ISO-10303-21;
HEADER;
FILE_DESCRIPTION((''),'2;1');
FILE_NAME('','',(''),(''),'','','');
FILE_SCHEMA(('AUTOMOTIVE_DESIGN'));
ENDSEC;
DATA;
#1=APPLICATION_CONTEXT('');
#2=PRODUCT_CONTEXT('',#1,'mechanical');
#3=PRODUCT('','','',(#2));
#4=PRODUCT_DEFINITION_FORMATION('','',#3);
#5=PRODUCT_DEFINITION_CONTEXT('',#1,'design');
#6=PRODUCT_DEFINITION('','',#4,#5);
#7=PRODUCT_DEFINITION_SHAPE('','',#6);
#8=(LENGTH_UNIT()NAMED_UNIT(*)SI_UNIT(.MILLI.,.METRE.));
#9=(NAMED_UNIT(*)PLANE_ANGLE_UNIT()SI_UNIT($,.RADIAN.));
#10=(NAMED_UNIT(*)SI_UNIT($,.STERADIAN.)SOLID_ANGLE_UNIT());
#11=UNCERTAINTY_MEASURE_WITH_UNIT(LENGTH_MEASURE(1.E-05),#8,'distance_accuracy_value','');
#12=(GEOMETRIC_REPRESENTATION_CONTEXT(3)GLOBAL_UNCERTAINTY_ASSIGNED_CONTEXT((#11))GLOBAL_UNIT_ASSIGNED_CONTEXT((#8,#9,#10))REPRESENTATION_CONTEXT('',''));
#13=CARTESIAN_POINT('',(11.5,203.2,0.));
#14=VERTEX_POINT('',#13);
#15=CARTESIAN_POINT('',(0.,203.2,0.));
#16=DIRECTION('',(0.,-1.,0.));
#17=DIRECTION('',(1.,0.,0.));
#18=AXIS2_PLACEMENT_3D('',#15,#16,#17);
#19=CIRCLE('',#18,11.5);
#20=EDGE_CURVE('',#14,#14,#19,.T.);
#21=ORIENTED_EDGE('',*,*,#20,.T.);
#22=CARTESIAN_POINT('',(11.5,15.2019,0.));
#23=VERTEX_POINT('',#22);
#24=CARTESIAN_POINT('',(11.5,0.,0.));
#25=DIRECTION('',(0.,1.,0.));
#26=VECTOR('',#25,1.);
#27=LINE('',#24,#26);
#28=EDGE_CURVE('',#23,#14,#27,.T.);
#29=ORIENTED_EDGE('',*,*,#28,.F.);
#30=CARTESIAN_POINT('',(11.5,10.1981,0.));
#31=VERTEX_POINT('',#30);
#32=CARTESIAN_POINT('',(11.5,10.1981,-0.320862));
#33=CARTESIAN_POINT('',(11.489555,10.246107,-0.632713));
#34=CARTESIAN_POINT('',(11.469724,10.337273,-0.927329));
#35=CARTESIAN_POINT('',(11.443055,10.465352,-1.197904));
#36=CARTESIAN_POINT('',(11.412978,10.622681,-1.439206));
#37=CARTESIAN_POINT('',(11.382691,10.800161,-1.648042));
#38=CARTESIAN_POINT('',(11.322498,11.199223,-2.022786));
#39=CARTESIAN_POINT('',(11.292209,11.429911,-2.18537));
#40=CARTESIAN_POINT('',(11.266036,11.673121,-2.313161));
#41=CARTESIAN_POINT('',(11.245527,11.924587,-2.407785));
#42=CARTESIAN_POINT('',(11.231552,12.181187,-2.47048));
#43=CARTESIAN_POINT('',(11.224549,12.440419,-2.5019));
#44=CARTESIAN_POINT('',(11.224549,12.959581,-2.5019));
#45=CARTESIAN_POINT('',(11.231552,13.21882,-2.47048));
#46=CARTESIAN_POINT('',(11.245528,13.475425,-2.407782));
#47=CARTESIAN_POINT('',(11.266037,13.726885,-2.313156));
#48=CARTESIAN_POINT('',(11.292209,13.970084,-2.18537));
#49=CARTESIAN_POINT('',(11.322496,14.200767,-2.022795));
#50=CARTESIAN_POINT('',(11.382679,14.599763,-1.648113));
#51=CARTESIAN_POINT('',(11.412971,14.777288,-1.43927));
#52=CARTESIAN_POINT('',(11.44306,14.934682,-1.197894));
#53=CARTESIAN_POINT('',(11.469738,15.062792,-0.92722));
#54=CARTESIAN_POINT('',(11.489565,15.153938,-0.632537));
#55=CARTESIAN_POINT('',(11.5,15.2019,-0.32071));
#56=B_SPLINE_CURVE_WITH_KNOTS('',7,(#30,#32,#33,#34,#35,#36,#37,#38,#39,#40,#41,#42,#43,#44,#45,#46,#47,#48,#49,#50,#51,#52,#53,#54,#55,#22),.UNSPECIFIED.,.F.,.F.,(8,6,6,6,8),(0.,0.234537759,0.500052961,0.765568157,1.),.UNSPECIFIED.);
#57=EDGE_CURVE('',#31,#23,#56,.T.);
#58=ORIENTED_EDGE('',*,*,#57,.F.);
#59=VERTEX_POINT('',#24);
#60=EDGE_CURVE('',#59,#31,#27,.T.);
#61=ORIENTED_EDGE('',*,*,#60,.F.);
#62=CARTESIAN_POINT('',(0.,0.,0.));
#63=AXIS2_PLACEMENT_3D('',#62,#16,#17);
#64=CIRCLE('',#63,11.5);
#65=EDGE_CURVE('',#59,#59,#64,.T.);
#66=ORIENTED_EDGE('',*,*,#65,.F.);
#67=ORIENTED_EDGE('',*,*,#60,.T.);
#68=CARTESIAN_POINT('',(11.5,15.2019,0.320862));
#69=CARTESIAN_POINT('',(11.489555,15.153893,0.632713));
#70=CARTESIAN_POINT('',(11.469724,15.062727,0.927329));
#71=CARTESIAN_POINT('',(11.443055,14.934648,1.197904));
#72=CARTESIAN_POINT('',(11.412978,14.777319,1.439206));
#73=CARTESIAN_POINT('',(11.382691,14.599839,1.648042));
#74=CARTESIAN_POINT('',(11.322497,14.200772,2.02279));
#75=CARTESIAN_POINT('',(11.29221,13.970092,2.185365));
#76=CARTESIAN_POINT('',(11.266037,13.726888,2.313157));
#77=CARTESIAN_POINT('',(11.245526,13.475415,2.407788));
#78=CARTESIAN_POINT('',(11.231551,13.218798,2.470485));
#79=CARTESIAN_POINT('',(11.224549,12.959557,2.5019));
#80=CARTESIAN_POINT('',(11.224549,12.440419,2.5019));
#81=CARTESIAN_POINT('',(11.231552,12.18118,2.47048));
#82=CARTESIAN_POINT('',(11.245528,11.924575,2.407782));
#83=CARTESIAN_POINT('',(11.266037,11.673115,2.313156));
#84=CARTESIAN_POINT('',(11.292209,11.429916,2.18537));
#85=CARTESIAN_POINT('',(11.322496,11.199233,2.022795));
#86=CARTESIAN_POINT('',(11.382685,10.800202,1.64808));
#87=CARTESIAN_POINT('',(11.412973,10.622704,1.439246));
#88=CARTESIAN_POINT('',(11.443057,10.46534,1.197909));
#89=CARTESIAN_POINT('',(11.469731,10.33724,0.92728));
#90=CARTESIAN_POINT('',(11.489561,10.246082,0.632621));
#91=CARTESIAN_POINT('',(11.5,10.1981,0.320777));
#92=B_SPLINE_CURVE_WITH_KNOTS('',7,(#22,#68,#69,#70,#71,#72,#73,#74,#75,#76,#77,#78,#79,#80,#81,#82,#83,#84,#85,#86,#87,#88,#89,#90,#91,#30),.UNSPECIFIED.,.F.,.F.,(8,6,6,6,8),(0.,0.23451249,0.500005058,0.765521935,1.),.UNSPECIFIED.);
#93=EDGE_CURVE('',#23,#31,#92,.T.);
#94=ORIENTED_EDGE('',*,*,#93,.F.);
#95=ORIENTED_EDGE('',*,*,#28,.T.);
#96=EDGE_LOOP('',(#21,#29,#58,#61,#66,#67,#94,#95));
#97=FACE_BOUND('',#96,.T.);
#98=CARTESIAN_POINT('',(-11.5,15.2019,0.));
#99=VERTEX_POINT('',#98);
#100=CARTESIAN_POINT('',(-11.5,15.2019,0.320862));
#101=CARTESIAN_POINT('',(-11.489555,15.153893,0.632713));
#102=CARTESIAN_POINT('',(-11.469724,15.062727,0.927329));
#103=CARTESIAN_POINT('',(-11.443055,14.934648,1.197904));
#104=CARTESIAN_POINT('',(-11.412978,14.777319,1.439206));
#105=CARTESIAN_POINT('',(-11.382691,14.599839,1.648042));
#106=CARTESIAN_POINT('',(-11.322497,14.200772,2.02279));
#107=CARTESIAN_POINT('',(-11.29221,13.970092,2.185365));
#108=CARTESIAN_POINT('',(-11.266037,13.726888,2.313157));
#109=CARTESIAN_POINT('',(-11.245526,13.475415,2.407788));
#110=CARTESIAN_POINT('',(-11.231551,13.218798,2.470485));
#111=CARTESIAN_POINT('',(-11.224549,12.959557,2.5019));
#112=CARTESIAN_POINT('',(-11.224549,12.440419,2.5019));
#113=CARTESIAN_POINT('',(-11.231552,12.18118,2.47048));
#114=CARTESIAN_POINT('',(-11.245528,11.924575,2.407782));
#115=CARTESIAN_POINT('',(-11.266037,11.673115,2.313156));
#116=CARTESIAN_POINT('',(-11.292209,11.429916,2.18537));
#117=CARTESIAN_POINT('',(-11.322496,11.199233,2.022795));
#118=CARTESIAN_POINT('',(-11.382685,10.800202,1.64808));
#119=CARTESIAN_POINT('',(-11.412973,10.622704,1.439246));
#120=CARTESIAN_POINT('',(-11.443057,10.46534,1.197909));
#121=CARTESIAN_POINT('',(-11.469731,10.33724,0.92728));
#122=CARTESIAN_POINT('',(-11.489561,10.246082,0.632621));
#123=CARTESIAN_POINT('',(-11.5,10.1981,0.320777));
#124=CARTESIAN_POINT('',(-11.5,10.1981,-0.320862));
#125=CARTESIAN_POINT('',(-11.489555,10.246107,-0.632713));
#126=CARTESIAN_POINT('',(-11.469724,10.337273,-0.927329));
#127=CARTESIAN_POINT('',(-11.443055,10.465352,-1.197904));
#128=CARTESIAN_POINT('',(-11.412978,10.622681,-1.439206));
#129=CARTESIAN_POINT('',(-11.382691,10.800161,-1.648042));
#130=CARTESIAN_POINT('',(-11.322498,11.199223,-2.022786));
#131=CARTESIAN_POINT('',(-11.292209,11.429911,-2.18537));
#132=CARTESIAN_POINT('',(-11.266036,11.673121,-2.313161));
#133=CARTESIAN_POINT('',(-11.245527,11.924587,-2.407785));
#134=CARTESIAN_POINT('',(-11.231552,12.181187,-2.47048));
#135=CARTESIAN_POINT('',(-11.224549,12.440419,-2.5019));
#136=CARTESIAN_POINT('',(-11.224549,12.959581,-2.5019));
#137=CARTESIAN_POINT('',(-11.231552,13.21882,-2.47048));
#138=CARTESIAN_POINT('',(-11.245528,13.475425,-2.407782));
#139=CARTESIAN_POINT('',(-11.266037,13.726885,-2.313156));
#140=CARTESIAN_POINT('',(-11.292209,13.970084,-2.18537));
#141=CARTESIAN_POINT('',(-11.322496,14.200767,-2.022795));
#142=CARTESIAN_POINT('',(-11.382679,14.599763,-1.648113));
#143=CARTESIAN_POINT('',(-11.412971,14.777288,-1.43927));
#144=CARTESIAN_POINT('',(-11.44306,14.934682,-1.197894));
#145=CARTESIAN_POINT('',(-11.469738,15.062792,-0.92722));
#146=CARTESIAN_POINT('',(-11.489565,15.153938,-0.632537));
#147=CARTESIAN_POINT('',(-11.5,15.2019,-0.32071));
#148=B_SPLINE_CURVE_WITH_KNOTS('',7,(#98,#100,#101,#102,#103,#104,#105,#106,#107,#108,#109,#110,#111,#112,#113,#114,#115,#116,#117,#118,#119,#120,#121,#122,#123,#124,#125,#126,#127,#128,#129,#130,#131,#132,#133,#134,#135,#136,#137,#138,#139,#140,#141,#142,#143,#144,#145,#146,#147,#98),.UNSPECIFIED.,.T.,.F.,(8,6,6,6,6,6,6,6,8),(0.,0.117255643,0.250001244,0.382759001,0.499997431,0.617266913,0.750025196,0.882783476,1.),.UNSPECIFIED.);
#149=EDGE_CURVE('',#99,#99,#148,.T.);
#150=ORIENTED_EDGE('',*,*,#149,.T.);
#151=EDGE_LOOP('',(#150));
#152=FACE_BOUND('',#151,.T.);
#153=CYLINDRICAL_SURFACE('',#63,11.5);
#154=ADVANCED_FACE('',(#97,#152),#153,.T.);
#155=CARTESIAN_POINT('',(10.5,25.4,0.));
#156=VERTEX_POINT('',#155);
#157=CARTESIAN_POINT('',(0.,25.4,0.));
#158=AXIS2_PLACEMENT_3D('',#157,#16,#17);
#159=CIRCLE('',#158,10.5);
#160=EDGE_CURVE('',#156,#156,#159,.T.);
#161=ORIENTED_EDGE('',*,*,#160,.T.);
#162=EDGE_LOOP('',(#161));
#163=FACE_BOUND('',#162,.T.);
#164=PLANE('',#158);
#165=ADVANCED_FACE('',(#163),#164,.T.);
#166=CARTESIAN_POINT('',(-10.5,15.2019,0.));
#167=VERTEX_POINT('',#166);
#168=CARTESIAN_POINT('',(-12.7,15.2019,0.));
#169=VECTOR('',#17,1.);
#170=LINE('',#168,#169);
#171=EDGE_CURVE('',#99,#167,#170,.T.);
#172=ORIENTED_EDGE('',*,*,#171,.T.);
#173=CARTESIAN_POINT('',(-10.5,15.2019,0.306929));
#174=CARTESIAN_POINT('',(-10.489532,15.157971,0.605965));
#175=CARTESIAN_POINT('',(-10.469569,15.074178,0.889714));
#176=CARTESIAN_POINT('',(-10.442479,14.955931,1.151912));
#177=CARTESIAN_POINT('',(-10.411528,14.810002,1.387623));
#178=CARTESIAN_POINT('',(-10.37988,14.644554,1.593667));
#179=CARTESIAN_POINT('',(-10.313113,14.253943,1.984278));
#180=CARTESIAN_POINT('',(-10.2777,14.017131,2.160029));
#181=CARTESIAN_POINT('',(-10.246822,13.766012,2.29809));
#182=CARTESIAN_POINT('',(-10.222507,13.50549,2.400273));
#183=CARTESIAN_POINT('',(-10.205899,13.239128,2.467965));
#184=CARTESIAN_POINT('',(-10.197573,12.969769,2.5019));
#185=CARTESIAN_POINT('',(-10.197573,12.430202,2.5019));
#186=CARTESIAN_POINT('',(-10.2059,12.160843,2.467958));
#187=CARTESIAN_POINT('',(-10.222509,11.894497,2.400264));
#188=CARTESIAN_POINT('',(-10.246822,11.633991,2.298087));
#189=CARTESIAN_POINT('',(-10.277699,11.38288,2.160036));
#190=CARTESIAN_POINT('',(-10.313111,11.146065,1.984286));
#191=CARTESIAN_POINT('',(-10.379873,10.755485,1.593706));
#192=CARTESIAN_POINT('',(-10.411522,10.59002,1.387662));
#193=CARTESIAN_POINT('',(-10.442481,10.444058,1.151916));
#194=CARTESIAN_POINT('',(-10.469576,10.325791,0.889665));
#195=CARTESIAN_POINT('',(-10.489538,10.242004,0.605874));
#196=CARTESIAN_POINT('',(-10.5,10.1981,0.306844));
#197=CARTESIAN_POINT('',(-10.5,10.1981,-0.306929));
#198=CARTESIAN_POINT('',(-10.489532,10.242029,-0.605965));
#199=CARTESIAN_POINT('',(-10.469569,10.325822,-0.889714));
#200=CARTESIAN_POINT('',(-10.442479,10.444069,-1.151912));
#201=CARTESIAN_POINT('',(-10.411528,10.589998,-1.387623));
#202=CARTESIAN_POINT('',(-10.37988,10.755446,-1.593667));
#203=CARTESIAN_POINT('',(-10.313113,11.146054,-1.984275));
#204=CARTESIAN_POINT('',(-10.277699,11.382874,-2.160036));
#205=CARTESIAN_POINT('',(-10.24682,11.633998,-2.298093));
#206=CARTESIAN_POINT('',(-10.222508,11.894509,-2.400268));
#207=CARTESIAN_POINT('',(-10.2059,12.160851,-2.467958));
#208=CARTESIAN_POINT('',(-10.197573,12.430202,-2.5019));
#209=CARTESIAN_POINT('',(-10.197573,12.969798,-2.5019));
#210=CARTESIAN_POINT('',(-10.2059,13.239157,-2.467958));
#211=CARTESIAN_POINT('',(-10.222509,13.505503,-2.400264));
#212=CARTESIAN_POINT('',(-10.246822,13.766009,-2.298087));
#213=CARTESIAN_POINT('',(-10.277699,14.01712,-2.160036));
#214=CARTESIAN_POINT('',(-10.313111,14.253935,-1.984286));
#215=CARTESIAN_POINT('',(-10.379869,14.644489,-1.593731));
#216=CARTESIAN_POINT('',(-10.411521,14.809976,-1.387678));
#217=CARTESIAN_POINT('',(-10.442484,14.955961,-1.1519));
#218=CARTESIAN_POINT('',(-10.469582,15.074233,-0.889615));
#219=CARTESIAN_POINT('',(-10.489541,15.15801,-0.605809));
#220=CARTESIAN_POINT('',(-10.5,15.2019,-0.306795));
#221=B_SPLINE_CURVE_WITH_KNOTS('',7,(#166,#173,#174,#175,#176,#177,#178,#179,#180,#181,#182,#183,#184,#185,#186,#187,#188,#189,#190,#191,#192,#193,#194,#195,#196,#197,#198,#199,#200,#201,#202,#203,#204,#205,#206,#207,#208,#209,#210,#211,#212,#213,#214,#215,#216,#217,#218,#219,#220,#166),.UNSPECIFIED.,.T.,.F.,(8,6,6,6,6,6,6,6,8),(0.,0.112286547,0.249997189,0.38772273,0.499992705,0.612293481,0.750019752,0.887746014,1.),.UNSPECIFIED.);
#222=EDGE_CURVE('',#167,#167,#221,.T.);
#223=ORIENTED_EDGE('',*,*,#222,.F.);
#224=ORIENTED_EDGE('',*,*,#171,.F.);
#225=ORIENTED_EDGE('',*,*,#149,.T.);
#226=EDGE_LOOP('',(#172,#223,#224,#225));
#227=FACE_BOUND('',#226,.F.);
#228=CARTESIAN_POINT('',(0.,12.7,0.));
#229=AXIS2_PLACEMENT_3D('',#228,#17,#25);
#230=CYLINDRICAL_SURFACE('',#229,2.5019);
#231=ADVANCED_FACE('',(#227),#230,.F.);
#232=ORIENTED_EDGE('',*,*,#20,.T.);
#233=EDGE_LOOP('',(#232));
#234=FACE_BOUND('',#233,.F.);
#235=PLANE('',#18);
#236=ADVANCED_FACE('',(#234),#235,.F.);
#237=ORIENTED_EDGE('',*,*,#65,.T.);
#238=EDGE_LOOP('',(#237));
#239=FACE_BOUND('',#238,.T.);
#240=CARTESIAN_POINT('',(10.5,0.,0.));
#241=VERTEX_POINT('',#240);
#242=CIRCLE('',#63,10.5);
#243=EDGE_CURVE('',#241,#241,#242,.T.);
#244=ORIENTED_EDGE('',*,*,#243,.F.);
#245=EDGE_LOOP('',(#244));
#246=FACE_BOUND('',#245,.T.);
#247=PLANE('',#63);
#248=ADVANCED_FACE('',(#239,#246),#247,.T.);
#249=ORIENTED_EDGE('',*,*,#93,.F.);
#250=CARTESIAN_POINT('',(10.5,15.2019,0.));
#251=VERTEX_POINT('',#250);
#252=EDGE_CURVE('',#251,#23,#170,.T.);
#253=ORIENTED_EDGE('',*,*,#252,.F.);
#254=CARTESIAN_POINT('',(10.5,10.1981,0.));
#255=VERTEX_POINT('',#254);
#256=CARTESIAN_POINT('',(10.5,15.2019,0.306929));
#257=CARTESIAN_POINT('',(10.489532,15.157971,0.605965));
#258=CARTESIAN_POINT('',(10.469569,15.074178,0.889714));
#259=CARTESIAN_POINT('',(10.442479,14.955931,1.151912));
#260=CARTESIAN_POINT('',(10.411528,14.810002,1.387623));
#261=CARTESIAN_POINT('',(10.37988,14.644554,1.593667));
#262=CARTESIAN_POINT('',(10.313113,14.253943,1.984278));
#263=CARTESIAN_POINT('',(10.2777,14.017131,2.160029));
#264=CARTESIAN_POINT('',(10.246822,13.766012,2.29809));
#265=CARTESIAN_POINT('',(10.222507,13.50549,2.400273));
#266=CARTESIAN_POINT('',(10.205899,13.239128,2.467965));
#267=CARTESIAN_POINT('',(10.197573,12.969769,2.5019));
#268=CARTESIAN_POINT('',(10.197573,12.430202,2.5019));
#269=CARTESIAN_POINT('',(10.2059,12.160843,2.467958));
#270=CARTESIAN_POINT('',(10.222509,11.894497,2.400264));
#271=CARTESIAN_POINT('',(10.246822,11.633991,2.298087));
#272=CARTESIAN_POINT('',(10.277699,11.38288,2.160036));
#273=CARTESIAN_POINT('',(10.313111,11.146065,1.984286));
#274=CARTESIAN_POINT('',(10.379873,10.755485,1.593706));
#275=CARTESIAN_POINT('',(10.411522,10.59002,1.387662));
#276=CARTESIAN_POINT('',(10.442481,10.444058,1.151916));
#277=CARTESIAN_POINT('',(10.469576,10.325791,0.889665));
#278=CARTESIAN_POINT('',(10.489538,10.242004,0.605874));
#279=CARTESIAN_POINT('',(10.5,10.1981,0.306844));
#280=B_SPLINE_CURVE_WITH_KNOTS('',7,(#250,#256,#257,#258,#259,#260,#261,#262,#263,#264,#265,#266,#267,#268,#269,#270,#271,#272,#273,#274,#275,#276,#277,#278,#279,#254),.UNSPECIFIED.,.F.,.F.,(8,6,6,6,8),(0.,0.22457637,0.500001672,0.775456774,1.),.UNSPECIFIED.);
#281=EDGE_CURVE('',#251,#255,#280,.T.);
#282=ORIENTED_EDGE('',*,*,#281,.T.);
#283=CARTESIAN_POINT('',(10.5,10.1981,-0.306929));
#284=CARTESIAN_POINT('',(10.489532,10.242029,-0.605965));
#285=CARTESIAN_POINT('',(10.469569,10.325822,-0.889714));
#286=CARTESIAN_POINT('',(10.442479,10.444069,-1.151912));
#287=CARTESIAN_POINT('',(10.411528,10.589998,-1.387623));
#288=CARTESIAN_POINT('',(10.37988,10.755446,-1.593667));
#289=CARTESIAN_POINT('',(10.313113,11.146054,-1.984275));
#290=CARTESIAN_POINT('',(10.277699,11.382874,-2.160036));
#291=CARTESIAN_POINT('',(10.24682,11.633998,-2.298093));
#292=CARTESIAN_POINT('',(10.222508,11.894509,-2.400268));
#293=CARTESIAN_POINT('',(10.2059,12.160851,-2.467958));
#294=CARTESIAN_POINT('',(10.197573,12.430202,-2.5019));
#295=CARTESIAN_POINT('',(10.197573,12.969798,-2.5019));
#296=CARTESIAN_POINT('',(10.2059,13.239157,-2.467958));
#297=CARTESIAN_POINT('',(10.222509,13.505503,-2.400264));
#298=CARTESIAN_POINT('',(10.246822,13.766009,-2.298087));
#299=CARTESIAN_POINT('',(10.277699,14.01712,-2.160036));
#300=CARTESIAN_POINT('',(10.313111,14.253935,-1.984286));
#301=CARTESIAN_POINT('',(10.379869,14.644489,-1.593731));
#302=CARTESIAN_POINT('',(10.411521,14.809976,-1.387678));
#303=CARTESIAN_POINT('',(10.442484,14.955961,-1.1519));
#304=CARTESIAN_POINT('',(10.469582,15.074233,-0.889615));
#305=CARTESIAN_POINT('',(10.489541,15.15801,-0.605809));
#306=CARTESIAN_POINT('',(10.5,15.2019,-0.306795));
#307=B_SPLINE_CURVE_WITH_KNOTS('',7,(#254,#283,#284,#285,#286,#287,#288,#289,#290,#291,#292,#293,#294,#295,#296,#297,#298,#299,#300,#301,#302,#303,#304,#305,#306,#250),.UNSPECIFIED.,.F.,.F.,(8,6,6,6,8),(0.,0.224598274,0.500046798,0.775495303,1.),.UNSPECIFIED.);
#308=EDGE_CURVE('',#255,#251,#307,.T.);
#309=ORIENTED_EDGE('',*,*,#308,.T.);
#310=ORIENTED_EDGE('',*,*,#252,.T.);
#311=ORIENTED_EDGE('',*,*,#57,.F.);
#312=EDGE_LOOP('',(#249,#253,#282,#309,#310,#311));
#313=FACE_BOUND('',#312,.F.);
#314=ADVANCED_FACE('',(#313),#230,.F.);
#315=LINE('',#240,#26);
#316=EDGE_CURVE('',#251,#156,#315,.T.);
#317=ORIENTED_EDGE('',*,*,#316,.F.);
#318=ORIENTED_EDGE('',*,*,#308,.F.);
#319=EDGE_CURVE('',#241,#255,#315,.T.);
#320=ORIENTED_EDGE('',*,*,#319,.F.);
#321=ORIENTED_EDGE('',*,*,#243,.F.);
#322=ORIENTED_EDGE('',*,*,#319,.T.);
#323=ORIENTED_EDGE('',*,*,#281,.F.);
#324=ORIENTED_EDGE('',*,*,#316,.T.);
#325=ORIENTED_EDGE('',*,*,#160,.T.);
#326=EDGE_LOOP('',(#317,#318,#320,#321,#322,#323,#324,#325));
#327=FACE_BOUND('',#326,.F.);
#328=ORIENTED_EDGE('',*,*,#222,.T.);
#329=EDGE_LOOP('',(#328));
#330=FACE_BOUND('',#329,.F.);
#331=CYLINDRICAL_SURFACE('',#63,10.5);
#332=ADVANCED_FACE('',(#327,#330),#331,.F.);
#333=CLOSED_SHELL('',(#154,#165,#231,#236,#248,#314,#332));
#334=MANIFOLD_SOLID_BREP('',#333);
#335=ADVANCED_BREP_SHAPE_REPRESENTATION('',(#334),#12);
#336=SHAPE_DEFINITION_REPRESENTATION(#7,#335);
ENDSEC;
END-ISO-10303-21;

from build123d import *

# Parameters (mm, degrees)
F0_R     = 11.5
F0_R_2   = 10.5
F1_DEPTH = 203.2
F2_DEPTH = 25.4
F3_R     = 2.5019
F4_DEPTH = 12.7


with BuildPart() as f1:
    # F0 (on Front) → F1 (new body)
    with BuildSketch(Plane.XZ):
        Circle(F0_R)
        Circle(F0_R_2, mode=Mode.SUBTRACT)
        Circle(F0_R_2)
    extrude(amount=-F1_DEPTH)

    # F0 (on Front) → F2 (cut)
    with BuildSketch(Plane.XZ):
        Circle(F0_R_2)
    extrude(amount=-F2_DEPTH, mode=Mode.SUBTRACT)

    # F3 (on Right) → F4 (cut, symmetric)
    with BuildSketch(Plane.YZ):
        with Locations((12.7, 0)):
            Circle(F3_R)
    extrude(amount=F4_DEPTH, both=True, mode=Mode.SUBTRACT)


solid = f1.part
